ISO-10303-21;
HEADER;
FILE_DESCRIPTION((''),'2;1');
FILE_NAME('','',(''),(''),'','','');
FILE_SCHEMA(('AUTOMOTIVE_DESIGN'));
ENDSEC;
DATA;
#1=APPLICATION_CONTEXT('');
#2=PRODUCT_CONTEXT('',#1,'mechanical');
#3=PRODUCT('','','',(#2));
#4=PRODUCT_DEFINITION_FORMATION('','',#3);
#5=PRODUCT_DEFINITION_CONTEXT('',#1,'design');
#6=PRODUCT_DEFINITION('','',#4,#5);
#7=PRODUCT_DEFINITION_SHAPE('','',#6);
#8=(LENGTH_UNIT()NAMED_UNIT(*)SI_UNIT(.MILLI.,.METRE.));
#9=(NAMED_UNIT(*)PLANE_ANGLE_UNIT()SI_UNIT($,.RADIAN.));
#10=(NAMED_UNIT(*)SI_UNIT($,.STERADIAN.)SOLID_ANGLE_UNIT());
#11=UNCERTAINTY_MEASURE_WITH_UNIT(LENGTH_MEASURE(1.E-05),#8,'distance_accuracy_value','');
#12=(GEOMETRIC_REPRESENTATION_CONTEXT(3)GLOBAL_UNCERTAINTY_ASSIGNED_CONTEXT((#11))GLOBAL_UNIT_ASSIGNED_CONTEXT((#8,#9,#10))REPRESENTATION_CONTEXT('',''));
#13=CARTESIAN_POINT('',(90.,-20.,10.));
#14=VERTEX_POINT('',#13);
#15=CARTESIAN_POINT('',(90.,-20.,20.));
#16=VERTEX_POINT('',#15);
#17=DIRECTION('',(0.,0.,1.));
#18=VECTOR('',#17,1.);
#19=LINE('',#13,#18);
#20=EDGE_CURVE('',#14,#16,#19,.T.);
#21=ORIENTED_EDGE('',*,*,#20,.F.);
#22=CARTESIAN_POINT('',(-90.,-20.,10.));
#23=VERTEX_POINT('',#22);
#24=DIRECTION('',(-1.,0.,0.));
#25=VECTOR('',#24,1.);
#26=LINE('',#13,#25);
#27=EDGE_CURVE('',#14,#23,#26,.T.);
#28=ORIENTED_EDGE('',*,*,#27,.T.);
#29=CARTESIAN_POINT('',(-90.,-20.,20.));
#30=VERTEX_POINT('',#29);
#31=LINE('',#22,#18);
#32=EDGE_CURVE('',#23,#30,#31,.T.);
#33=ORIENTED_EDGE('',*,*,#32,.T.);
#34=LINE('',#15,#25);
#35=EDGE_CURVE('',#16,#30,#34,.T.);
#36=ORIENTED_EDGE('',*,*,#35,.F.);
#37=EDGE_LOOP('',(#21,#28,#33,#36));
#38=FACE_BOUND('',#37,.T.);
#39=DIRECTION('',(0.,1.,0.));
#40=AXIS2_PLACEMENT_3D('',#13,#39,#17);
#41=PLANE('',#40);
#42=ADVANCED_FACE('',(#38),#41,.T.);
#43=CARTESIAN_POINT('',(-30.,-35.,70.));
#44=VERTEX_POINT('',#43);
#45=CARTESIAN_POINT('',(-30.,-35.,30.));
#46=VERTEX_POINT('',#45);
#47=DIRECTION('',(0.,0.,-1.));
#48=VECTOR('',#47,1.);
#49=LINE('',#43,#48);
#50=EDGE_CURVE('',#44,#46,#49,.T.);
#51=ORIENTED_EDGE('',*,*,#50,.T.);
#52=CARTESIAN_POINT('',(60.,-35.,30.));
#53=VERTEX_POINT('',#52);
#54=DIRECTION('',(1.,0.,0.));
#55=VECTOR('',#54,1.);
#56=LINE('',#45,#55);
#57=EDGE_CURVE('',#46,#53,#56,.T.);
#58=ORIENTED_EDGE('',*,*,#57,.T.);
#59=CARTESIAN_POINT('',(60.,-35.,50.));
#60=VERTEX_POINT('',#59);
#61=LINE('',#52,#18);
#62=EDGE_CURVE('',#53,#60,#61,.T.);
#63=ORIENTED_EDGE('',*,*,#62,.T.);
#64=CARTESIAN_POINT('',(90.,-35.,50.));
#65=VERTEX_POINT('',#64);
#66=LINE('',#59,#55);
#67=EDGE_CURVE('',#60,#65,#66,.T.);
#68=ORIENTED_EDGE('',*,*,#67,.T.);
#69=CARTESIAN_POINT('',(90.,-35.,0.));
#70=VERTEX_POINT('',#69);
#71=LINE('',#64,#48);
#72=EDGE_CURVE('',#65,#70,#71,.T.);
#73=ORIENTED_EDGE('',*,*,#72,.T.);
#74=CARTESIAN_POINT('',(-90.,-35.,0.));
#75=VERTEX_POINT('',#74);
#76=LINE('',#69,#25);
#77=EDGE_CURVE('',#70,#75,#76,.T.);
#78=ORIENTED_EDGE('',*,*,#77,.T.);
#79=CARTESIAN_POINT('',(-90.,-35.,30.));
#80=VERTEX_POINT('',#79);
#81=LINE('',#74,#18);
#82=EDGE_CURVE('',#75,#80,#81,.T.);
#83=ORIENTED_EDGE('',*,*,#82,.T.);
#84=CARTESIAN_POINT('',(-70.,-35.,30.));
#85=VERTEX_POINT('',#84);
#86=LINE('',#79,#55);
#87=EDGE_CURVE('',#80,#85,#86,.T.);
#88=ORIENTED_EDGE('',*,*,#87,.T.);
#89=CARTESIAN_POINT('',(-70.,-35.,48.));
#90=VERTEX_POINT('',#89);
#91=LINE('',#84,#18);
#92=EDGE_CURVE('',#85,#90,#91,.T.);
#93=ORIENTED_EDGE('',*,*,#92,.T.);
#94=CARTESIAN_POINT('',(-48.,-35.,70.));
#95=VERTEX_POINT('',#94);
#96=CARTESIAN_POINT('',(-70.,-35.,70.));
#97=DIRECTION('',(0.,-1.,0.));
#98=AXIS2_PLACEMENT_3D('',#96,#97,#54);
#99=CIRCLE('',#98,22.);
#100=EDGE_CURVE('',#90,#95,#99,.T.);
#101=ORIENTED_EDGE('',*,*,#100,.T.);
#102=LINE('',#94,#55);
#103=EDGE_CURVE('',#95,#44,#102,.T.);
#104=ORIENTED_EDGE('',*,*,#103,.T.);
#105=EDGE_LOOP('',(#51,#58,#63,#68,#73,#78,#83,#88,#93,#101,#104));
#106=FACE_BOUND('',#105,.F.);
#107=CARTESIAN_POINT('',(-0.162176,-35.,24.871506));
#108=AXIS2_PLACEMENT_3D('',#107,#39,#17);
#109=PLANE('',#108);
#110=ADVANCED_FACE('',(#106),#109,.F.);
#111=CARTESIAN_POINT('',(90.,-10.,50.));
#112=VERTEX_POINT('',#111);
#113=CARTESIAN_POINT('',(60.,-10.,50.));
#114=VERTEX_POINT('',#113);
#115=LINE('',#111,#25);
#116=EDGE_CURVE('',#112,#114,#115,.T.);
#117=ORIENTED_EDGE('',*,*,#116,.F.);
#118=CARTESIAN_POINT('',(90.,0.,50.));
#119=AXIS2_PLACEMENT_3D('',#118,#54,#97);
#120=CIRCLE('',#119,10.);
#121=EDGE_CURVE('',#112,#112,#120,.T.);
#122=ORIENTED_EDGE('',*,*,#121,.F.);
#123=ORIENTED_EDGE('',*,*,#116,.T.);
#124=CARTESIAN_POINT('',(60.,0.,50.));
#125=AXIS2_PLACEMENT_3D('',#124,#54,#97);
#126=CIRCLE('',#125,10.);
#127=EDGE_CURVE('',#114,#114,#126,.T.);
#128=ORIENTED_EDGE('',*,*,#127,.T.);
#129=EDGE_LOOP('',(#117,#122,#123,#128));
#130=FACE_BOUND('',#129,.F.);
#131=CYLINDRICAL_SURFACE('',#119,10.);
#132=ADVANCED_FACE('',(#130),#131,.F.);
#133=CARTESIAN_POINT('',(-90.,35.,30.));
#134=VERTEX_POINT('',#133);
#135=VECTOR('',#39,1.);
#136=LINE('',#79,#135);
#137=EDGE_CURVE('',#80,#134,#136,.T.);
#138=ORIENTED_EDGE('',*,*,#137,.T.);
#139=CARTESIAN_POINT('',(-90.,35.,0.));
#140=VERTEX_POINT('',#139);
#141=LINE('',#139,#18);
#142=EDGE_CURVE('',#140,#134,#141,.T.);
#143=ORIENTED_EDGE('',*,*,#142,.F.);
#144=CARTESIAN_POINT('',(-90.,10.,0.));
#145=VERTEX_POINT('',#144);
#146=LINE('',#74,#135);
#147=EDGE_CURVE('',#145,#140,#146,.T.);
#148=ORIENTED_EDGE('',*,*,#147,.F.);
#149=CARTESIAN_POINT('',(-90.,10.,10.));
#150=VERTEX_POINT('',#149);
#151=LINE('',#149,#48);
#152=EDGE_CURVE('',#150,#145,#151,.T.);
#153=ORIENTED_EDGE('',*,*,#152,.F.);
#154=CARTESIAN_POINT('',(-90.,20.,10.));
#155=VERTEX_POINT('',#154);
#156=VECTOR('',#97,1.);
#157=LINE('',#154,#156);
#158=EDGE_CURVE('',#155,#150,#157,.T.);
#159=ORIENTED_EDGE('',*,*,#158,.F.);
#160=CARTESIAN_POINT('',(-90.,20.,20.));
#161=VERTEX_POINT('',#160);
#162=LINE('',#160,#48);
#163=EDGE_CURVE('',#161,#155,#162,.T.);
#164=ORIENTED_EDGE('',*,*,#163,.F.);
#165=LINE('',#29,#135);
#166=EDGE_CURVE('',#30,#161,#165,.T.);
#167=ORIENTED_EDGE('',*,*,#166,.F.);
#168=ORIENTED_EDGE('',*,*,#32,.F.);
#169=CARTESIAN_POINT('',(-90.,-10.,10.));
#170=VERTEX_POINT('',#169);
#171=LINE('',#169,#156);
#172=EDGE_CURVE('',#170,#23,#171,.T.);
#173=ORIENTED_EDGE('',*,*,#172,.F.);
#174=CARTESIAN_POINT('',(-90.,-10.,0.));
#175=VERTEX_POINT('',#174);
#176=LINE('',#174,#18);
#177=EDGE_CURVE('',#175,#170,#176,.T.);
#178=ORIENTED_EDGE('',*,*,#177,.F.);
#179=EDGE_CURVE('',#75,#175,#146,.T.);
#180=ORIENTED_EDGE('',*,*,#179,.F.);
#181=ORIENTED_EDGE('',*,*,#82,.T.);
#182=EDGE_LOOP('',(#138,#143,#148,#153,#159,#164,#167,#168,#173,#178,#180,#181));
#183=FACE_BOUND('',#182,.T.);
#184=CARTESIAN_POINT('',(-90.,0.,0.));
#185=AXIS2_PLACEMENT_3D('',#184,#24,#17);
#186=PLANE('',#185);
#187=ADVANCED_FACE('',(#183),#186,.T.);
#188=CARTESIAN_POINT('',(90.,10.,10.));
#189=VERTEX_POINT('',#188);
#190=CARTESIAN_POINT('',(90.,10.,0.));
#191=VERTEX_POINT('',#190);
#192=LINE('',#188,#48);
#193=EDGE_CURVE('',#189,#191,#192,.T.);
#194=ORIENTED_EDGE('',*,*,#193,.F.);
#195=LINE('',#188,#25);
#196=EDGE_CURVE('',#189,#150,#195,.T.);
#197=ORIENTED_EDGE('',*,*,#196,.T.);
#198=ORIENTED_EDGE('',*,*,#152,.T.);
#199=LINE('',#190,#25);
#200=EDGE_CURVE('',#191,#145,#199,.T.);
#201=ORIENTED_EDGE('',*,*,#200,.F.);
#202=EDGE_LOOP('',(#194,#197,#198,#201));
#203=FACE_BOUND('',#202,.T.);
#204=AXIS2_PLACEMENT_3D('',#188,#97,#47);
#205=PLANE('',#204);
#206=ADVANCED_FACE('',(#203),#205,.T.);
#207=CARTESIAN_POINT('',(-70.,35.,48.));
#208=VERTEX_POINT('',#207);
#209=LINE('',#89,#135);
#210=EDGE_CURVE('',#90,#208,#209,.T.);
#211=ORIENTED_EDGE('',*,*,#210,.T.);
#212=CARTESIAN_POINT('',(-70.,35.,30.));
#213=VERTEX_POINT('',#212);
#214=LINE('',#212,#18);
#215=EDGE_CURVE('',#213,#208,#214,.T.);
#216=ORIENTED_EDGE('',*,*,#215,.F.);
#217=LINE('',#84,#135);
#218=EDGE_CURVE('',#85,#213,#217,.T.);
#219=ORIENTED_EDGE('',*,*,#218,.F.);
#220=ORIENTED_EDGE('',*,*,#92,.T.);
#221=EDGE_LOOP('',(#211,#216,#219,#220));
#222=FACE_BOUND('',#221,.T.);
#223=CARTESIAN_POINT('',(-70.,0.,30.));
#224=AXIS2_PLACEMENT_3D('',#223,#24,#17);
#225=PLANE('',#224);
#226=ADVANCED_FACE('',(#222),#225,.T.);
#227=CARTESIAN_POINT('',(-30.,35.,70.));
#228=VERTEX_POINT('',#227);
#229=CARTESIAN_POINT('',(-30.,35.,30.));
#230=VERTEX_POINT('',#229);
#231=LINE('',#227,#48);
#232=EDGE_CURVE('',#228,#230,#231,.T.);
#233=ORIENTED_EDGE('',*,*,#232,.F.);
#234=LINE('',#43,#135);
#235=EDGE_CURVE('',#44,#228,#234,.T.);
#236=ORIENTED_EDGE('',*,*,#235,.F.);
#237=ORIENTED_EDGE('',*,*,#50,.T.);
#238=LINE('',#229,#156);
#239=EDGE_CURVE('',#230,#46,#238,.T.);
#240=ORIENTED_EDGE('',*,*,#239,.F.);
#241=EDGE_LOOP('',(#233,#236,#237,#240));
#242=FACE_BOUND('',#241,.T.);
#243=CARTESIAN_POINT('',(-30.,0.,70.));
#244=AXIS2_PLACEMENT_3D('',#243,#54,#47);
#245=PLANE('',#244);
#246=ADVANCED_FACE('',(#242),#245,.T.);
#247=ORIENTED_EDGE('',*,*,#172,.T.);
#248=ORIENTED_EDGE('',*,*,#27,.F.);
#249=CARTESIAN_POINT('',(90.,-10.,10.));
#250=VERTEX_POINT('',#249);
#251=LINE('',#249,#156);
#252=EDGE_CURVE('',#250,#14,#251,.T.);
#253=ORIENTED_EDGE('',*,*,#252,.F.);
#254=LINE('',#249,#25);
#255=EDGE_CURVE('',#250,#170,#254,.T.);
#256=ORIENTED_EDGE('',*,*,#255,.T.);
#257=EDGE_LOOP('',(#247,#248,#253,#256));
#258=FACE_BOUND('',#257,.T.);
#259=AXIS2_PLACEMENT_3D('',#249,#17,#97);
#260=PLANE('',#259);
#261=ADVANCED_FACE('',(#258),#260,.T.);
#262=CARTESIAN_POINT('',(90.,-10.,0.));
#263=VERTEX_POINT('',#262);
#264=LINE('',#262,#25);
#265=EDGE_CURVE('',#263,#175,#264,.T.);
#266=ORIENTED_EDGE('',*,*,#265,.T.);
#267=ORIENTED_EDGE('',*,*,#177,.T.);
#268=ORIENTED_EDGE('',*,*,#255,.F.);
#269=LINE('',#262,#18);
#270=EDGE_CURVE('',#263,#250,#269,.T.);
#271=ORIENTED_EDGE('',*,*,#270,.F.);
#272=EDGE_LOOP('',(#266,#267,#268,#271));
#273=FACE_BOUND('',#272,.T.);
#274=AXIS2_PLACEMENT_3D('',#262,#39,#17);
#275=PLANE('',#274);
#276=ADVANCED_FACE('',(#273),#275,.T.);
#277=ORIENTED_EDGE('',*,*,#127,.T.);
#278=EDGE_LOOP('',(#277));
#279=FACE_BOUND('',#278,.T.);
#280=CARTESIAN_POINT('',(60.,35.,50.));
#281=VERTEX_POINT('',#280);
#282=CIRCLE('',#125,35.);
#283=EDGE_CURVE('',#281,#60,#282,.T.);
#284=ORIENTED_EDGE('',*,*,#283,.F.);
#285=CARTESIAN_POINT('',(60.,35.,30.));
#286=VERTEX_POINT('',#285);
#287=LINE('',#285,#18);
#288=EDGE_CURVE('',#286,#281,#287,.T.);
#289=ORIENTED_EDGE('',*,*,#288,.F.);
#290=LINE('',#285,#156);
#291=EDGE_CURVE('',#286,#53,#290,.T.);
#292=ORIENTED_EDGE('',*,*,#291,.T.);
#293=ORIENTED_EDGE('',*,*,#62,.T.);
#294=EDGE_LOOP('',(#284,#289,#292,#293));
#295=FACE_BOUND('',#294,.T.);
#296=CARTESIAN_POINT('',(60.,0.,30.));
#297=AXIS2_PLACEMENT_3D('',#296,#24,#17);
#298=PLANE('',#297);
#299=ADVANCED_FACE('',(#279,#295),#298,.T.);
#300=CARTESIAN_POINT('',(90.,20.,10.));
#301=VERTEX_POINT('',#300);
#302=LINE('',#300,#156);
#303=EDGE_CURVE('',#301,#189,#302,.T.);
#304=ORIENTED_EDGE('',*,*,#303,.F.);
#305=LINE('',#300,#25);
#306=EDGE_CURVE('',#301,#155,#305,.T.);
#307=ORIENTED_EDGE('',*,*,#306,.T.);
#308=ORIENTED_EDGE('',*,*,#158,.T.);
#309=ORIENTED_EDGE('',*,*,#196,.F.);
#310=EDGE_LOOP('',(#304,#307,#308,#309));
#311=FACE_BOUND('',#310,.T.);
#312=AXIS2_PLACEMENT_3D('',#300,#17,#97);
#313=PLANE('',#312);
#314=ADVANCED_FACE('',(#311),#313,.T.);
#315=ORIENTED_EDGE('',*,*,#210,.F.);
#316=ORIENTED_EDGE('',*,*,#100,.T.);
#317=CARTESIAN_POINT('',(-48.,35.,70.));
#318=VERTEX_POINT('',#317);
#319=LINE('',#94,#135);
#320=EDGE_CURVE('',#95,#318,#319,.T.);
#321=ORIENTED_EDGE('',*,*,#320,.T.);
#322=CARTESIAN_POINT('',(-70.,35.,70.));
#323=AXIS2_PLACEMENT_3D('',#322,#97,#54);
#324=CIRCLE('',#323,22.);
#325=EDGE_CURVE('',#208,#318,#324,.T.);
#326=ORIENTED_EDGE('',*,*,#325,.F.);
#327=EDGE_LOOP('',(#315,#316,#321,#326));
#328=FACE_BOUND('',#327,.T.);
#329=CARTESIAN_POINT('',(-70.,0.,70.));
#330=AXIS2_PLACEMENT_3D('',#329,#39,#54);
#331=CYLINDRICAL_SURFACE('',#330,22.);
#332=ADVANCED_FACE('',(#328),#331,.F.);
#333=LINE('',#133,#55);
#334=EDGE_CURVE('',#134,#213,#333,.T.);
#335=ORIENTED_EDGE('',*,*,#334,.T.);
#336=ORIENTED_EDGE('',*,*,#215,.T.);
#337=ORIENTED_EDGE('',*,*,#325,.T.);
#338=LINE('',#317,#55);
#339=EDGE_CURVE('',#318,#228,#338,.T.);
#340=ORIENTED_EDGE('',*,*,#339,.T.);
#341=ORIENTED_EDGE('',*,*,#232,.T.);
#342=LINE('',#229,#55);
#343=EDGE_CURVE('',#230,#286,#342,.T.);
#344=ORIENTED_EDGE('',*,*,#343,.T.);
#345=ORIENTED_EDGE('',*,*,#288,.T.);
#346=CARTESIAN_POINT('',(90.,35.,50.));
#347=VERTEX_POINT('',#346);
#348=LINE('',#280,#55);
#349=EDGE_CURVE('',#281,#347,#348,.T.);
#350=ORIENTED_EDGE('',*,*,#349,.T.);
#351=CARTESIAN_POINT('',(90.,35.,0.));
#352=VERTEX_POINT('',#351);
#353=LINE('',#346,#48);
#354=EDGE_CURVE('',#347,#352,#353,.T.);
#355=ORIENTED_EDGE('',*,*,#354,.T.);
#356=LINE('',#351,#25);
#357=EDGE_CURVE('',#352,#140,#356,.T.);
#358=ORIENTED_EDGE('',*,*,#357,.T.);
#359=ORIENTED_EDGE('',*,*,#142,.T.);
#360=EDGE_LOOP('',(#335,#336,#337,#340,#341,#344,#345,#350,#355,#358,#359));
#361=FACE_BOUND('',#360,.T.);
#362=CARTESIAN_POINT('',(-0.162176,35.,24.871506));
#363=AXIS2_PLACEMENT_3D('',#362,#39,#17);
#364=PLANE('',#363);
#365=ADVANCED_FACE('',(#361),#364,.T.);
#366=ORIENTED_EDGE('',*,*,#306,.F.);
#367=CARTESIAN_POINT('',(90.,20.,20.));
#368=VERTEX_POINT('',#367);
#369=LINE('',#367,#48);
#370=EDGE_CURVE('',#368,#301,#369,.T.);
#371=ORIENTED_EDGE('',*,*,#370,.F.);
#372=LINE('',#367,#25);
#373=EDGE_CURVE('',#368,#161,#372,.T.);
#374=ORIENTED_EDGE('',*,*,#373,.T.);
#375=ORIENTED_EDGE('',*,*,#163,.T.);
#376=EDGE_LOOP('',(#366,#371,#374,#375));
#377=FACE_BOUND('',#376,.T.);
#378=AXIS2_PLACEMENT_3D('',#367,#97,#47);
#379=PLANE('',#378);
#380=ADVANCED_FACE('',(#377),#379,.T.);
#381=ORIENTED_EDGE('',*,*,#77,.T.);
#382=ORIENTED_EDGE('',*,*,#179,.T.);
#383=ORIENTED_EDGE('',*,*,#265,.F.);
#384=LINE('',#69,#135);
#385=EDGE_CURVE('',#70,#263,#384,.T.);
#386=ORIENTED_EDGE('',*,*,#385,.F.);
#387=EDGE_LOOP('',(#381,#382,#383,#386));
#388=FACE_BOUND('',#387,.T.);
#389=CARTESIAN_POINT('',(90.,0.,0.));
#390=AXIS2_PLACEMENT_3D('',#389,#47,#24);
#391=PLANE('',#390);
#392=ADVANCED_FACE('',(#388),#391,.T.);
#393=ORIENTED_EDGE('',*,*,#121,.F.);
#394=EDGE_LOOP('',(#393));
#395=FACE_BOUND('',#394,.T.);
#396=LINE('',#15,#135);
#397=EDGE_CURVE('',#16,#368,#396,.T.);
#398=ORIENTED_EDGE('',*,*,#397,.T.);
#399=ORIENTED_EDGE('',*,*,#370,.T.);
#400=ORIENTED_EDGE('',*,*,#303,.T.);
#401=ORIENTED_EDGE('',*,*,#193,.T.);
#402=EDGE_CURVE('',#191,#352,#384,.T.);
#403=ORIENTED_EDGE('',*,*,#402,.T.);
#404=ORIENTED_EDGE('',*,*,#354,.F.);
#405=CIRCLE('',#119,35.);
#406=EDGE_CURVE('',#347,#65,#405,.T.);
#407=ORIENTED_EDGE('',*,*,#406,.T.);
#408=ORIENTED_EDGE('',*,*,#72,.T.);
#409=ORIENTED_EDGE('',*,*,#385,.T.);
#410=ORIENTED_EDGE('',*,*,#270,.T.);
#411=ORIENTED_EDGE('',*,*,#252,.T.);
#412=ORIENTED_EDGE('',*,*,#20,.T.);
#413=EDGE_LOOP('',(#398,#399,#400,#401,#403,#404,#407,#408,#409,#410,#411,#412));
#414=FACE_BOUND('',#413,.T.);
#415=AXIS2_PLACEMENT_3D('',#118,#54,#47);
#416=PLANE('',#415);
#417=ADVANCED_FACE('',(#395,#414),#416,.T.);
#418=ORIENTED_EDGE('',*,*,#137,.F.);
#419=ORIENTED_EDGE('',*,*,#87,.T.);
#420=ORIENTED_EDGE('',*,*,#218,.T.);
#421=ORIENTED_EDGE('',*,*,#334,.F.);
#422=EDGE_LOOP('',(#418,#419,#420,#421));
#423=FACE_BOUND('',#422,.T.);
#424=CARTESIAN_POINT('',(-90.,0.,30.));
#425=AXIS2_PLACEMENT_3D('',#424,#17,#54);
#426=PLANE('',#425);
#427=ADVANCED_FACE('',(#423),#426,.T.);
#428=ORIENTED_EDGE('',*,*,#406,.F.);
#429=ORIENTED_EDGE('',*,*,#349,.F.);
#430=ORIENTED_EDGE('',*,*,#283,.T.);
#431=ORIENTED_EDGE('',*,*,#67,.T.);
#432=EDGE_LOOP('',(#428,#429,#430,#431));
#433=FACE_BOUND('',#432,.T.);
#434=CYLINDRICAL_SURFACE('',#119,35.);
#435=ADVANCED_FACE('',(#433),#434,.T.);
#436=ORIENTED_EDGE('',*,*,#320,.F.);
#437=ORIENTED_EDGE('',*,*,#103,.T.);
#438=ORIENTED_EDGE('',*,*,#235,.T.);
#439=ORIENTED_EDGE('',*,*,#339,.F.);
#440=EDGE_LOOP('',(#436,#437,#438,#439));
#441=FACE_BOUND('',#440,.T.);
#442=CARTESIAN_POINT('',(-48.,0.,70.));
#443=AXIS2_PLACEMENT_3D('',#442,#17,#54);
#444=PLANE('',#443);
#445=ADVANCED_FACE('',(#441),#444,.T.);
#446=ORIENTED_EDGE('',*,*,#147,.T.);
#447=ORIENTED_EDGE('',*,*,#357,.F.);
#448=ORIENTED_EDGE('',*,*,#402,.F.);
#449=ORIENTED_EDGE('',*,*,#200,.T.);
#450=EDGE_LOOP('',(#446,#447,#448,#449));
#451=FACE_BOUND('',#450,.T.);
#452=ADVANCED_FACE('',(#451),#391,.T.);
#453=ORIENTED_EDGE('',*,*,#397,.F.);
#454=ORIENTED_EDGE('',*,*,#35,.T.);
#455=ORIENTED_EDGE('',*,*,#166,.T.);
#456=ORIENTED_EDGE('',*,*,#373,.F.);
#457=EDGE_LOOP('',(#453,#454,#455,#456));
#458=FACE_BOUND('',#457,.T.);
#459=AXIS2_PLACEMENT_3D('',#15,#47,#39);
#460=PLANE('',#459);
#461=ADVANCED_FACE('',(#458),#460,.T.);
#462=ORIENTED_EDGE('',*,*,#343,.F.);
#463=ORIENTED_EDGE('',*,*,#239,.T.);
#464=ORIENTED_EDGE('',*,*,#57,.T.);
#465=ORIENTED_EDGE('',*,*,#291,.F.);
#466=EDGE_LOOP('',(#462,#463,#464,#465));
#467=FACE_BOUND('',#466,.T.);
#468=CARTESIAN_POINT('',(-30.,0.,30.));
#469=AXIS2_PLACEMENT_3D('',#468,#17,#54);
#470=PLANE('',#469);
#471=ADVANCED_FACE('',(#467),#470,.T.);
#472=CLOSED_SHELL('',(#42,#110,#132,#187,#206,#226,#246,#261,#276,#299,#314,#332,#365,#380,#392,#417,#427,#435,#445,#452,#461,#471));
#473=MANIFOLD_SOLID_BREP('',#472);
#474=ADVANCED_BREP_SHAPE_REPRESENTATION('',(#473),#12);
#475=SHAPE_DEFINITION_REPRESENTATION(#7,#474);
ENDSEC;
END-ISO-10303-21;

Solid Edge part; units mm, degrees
sketch "Sketch1" plane through (0, 0, 0) normal (0, -1, 0) x (1, 0, 0)
  line L0 (60, 50) -> (90, 50)
  line L1 (90, 50) -> (90, 0)
  line L2 (90, 0) -> (-90, 0)
  line L3 (-90, 0) -> (-90, 30)
  line L4 (-90, 30) -> (-70, 30)
  line L5 (-70, 30) -> (-70, 48)
  arc A0 (-70, 48) -> (-48, 70) centre (-70, 70) ccw
  line L6 (-48, 70) -> (-30, 70)
  line L7 (-30, 70) -> (-30, 30)
  line L8 (-30, 30) -> (60, 30)
  line L9 (60, 30) -> (60, 50)
extrude "Protrusion1" add sketch "Sketch1" along normal mid plane 70
sketch "Sketch2" plane through (90, 0, 65) normal (1, 0, 0) x (0, -1, 0)
  arc A0 (-35, 15) -> (35, 15) centre (0, 15) ccw
  line L0 (-35, 15) -> (35, 15)
  circle A1 centre (0, 15) radius 10
extrude "ExtrudedProtrusion_2" add sketch "Sketch2" against normal blind 30
sketch "Sketch3" plane through (90, 0, 65) normal (1, 0, 0) x (0, -1, 0)
  circle A0 centre (0, 15) radius 10
extrude "ExtrudedCutout_1" cut sketch "Sketch3" against normal blind 30
sketch "Sketch4" plane through (90, 0, 42.5) normal (1, 0, 0) x (0, 1, 0)
  line L0 (-20, -22.5) -> (20, -22.5)
  line L1 (20, -22.5) -> (20, -32.5)
  line L2 (20, -32.5) -> (10, -32.5)
  line L3 (10, -32.5) -> (10, -42.5)
  line L4 (10, -42.5) -> (-10, -42.5)
  line L5 (-10, -42.5) -> (-10, -32.5)
  line L6 (-10, -32.5) -> (-20, -32.5)
  line L7 (-20, -32.5) -> (-20, -22.5)
extrude "ExtrudedCutout_2" cut sketch "Sketch4" against normal blind 180
